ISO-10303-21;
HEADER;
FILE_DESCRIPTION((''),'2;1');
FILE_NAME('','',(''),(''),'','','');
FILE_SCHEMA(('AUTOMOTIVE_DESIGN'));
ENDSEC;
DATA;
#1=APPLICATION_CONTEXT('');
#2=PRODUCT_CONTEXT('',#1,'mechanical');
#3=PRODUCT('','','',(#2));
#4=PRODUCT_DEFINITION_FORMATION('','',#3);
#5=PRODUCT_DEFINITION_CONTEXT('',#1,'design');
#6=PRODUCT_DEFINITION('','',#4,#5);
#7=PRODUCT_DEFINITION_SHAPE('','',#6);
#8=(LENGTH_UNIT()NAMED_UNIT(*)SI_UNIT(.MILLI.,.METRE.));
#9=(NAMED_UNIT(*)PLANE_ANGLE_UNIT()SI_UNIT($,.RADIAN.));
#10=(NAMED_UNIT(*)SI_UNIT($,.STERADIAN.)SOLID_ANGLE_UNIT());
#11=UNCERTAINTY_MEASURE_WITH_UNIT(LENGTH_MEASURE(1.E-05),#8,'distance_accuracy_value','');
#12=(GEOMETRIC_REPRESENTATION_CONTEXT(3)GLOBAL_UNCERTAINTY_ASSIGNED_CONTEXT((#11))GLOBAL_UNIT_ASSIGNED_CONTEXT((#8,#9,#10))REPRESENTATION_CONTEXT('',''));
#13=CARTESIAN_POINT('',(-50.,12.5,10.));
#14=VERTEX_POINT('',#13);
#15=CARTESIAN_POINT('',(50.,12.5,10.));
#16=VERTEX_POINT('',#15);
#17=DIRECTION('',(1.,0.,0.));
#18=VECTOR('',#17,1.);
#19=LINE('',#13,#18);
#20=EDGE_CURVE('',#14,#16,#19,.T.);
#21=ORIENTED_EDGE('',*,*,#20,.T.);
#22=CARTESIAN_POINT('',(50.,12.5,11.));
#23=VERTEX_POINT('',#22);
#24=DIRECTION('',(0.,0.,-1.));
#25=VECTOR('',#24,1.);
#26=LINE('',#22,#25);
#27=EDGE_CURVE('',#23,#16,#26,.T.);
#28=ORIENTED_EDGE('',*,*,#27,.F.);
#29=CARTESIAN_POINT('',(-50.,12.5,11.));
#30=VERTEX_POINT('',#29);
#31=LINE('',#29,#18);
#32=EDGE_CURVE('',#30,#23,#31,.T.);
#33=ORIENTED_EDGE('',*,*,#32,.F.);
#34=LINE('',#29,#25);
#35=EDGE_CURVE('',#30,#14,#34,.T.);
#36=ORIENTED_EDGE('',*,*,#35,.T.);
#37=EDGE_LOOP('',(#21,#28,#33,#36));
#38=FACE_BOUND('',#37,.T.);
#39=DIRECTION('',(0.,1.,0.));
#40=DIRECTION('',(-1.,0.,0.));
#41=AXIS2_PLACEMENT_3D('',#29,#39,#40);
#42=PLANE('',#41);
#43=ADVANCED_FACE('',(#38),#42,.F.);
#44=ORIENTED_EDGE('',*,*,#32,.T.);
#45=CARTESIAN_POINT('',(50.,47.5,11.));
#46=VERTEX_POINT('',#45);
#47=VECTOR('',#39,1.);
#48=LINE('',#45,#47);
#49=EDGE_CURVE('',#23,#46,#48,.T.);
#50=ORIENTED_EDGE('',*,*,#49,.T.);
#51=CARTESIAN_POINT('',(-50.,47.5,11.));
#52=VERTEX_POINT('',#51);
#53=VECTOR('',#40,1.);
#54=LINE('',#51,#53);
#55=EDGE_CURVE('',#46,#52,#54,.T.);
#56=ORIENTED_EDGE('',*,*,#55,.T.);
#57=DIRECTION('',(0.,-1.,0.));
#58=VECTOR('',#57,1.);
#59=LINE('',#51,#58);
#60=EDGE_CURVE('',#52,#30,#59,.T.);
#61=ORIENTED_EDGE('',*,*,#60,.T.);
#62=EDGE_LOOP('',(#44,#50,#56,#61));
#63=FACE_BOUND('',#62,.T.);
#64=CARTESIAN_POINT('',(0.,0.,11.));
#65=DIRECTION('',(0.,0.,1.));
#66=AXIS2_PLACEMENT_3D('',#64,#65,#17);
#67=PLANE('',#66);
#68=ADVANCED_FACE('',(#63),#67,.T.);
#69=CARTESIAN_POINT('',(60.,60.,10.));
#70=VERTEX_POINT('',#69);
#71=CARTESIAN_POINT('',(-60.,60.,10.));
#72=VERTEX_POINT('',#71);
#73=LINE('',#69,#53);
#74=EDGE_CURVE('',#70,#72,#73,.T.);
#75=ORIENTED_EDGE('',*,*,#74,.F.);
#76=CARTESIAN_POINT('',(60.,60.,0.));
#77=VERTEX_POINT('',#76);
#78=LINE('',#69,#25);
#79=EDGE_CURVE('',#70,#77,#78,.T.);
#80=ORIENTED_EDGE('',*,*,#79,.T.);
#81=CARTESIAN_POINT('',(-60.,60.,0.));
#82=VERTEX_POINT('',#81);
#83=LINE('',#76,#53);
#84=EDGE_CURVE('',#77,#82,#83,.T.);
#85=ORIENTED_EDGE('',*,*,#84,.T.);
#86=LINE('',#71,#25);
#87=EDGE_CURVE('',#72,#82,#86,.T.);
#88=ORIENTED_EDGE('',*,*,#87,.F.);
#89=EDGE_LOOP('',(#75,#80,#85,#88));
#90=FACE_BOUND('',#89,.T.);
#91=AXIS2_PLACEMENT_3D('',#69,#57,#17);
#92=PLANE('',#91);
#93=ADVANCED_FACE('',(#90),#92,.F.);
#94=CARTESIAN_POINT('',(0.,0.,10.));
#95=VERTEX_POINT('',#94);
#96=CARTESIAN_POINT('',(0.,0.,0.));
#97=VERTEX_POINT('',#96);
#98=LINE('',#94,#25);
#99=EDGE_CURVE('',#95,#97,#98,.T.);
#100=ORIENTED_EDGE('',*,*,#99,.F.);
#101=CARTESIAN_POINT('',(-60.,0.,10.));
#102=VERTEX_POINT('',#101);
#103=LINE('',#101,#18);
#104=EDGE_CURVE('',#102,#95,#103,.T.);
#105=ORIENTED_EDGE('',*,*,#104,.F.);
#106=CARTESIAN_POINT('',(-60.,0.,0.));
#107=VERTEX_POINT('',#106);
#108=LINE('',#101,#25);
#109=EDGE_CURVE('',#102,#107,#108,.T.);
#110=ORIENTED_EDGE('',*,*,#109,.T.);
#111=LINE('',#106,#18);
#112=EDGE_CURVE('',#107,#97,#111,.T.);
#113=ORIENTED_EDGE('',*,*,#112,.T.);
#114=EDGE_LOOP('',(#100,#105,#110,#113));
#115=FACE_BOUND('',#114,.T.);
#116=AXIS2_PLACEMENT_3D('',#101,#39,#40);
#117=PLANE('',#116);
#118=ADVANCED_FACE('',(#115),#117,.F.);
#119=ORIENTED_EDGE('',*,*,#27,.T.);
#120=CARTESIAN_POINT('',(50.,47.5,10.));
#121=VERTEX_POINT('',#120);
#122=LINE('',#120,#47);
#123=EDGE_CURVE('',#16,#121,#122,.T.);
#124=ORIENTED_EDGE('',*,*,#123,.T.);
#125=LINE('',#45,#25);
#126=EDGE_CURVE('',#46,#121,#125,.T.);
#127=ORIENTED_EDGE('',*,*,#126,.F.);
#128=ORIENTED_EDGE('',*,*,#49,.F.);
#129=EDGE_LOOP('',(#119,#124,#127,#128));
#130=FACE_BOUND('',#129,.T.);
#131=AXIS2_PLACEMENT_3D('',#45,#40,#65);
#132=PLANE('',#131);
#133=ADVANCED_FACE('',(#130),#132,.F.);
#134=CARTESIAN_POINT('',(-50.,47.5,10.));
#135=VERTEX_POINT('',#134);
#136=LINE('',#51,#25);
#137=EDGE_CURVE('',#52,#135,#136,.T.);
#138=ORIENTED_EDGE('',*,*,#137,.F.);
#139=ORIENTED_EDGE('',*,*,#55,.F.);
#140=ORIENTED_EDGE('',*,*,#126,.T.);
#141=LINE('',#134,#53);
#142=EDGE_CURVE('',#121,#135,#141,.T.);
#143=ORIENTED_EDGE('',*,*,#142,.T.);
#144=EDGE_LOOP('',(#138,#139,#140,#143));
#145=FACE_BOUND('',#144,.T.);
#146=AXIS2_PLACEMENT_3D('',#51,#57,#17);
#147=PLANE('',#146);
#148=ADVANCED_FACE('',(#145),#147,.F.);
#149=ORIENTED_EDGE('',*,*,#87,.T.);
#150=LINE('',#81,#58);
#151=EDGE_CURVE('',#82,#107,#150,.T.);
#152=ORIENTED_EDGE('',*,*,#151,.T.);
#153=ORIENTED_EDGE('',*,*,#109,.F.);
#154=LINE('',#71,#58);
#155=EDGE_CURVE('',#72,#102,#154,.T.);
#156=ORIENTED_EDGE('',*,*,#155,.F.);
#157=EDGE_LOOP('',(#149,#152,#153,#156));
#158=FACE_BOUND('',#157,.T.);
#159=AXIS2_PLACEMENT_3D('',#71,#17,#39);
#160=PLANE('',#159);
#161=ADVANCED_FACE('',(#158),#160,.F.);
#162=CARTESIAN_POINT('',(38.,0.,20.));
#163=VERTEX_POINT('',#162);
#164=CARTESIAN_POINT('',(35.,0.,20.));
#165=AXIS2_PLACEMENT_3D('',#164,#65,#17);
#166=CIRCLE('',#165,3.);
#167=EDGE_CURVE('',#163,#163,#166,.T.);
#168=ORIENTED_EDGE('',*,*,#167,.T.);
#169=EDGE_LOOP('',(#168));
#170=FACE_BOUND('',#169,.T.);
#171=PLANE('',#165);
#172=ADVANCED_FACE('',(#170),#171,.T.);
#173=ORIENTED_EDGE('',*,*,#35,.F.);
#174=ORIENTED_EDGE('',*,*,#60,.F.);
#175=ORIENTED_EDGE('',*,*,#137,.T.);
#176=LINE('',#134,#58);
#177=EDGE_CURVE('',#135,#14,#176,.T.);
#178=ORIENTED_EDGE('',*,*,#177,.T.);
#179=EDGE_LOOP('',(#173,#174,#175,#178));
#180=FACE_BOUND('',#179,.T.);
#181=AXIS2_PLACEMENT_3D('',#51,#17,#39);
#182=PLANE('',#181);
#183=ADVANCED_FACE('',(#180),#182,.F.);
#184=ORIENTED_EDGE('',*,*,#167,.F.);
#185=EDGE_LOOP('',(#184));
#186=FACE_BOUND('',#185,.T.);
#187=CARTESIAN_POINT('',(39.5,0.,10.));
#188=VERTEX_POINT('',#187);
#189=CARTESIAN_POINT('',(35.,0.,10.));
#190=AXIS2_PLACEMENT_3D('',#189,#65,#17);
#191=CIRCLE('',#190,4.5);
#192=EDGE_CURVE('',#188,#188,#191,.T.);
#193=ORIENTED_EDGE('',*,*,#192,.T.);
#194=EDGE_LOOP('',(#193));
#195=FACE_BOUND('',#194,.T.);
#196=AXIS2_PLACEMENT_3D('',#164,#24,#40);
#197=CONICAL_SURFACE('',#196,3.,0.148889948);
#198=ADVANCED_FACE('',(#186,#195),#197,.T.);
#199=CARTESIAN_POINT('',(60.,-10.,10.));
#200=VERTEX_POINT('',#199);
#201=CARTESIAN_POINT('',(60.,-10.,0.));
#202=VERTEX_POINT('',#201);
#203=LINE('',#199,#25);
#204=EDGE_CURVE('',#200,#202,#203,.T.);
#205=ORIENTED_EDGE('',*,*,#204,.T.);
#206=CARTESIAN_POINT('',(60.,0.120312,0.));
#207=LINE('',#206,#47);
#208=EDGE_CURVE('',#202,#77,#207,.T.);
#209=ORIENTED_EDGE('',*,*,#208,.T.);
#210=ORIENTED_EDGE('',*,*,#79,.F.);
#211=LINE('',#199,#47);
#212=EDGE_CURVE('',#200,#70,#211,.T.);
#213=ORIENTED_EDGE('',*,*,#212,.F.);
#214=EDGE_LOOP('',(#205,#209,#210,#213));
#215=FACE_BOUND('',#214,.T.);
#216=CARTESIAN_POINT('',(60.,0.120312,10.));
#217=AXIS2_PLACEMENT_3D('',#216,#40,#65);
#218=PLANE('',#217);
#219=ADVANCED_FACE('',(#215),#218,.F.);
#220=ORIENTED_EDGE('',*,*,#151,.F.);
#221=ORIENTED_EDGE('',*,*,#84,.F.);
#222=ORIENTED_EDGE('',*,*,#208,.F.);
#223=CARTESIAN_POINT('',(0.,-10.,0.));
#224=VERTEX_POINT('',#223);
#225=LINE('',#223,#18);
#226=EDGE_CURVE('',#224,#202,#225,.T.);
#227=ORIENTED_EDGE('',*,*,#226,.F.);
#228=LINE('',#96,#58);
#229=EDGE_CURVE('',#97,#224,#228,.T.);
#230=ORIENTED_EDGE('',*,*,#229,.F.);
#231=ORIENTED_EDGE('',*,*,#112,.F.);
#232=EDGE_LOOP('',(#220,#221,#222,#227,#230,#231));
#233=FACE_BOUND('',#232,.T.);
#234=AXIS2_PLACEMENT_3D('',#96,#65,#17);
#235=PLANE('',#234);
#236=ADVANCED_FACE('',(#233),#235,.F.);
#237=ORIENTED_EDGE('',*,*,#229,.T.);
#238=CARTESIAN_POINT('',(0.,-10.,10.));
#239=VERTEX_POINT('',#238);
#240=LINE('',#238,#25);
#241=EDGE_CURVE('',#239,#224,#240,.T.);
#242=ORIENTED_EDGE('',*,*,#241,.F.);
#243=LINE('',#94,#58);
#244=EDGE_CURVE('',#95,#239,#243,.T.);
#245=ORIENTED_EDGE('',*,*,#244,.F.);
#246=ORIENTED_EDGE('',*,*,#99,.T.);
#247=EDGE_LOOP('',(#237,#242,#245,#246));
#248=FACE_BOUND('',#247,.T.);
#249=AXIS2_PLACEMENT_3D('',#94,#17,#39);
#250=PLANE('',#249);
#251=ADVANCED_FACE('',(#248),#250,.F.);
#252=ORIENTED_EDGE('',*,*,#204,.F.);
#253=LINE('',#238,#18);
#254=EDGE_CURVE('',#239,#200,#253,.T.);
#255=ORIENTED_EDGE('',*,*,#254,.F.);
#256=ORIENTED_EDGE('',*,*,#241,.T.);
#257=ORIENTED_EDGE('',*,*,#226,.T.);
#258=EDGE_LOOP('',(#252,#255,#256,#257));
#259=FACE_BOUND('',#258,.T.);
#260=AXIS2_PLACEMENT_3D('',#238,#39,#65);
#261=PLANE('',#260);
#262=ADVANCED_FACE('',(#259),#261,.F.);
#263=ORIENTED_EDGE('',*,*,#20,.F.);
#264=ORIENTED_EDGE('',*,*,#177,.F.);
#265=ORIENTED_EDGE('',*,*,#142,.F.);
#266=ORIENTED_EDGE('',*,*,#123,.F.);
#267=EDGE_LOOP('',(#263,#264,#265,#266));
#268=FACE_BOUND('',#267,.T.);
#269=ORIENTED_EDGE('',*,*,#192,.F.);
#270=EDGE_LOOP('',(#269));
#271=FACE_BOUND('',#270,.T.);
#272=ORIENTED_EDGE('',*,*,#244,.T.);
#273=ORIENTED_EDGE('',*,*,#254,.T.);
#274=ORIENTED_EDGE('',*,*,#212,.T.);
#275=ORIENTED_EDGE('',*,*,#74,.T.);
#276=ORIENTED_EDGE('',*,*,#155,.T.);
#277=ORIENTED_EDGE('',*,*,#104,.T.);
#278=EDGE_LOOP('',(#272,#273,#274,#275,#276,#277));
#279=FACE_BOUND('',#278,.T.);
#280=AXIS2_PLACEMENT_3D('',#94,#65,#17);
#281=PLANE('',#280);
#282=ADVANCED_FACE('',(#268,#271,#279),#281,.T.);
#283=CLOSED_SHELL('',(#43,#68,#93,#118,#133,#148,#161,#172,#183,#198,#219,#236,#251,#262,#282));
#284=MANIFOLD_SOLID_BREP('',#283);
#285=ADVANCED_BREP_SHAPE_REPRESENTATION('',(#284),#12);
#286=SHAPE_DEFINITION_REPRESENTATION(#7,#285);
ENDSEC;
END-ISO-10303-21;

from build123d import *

# Parameters (mm, degrees)
ESTRUSIONE_ESTRUSIONE1_DEPTH = 10
SCHIZZO2_W                   = 100
SCHIZZO2_H                   = 35
ESTRUSIONE_ESTRUSIONE2_DEPTH = 1
SCHIZZO3_R                   = 4.5
SCHIZZO4_R                   = 3


with BuildPart() as part:
    # Schizzo1 → Estrusione-Estrusione1 (new body)
    with BuildSketch(Plane.XY):
        Polygon((-60, 60), (-60, 0), (0, 0), (0, -10), (60, -10), (60, 0.1203125), (60, 60), align=None)
    extrude(amount=ESTRUSIONE_ESTRUSIONE1_DEPTH)

    # Schizzo2 → Estrusione-Estrusione2 (add)
    with BuildSketch(Plane.XY.offset(10)):
        with Locations((0, 30)):
            Rectangle(SCHIZZO2_W, SCHIZZO2_H)
    extrude(amount=ESTRUSIONE_ESTRUSIONE2_DEPTH)

    # Schizzo3 → Loft1 section 0
    with BuildSketch(Plane.XY.offset(10)):
        with Locations((35, 0)):
            Circle(SCHIZZO3_R)
    # Schizzo4 → Loft1 section 1
    with BuildSketch(Plane.XY.offset(20)):
        with Locations((35, 0)):
            Circle(SCHIZZO4_R)
    loft()


solid = part.part
